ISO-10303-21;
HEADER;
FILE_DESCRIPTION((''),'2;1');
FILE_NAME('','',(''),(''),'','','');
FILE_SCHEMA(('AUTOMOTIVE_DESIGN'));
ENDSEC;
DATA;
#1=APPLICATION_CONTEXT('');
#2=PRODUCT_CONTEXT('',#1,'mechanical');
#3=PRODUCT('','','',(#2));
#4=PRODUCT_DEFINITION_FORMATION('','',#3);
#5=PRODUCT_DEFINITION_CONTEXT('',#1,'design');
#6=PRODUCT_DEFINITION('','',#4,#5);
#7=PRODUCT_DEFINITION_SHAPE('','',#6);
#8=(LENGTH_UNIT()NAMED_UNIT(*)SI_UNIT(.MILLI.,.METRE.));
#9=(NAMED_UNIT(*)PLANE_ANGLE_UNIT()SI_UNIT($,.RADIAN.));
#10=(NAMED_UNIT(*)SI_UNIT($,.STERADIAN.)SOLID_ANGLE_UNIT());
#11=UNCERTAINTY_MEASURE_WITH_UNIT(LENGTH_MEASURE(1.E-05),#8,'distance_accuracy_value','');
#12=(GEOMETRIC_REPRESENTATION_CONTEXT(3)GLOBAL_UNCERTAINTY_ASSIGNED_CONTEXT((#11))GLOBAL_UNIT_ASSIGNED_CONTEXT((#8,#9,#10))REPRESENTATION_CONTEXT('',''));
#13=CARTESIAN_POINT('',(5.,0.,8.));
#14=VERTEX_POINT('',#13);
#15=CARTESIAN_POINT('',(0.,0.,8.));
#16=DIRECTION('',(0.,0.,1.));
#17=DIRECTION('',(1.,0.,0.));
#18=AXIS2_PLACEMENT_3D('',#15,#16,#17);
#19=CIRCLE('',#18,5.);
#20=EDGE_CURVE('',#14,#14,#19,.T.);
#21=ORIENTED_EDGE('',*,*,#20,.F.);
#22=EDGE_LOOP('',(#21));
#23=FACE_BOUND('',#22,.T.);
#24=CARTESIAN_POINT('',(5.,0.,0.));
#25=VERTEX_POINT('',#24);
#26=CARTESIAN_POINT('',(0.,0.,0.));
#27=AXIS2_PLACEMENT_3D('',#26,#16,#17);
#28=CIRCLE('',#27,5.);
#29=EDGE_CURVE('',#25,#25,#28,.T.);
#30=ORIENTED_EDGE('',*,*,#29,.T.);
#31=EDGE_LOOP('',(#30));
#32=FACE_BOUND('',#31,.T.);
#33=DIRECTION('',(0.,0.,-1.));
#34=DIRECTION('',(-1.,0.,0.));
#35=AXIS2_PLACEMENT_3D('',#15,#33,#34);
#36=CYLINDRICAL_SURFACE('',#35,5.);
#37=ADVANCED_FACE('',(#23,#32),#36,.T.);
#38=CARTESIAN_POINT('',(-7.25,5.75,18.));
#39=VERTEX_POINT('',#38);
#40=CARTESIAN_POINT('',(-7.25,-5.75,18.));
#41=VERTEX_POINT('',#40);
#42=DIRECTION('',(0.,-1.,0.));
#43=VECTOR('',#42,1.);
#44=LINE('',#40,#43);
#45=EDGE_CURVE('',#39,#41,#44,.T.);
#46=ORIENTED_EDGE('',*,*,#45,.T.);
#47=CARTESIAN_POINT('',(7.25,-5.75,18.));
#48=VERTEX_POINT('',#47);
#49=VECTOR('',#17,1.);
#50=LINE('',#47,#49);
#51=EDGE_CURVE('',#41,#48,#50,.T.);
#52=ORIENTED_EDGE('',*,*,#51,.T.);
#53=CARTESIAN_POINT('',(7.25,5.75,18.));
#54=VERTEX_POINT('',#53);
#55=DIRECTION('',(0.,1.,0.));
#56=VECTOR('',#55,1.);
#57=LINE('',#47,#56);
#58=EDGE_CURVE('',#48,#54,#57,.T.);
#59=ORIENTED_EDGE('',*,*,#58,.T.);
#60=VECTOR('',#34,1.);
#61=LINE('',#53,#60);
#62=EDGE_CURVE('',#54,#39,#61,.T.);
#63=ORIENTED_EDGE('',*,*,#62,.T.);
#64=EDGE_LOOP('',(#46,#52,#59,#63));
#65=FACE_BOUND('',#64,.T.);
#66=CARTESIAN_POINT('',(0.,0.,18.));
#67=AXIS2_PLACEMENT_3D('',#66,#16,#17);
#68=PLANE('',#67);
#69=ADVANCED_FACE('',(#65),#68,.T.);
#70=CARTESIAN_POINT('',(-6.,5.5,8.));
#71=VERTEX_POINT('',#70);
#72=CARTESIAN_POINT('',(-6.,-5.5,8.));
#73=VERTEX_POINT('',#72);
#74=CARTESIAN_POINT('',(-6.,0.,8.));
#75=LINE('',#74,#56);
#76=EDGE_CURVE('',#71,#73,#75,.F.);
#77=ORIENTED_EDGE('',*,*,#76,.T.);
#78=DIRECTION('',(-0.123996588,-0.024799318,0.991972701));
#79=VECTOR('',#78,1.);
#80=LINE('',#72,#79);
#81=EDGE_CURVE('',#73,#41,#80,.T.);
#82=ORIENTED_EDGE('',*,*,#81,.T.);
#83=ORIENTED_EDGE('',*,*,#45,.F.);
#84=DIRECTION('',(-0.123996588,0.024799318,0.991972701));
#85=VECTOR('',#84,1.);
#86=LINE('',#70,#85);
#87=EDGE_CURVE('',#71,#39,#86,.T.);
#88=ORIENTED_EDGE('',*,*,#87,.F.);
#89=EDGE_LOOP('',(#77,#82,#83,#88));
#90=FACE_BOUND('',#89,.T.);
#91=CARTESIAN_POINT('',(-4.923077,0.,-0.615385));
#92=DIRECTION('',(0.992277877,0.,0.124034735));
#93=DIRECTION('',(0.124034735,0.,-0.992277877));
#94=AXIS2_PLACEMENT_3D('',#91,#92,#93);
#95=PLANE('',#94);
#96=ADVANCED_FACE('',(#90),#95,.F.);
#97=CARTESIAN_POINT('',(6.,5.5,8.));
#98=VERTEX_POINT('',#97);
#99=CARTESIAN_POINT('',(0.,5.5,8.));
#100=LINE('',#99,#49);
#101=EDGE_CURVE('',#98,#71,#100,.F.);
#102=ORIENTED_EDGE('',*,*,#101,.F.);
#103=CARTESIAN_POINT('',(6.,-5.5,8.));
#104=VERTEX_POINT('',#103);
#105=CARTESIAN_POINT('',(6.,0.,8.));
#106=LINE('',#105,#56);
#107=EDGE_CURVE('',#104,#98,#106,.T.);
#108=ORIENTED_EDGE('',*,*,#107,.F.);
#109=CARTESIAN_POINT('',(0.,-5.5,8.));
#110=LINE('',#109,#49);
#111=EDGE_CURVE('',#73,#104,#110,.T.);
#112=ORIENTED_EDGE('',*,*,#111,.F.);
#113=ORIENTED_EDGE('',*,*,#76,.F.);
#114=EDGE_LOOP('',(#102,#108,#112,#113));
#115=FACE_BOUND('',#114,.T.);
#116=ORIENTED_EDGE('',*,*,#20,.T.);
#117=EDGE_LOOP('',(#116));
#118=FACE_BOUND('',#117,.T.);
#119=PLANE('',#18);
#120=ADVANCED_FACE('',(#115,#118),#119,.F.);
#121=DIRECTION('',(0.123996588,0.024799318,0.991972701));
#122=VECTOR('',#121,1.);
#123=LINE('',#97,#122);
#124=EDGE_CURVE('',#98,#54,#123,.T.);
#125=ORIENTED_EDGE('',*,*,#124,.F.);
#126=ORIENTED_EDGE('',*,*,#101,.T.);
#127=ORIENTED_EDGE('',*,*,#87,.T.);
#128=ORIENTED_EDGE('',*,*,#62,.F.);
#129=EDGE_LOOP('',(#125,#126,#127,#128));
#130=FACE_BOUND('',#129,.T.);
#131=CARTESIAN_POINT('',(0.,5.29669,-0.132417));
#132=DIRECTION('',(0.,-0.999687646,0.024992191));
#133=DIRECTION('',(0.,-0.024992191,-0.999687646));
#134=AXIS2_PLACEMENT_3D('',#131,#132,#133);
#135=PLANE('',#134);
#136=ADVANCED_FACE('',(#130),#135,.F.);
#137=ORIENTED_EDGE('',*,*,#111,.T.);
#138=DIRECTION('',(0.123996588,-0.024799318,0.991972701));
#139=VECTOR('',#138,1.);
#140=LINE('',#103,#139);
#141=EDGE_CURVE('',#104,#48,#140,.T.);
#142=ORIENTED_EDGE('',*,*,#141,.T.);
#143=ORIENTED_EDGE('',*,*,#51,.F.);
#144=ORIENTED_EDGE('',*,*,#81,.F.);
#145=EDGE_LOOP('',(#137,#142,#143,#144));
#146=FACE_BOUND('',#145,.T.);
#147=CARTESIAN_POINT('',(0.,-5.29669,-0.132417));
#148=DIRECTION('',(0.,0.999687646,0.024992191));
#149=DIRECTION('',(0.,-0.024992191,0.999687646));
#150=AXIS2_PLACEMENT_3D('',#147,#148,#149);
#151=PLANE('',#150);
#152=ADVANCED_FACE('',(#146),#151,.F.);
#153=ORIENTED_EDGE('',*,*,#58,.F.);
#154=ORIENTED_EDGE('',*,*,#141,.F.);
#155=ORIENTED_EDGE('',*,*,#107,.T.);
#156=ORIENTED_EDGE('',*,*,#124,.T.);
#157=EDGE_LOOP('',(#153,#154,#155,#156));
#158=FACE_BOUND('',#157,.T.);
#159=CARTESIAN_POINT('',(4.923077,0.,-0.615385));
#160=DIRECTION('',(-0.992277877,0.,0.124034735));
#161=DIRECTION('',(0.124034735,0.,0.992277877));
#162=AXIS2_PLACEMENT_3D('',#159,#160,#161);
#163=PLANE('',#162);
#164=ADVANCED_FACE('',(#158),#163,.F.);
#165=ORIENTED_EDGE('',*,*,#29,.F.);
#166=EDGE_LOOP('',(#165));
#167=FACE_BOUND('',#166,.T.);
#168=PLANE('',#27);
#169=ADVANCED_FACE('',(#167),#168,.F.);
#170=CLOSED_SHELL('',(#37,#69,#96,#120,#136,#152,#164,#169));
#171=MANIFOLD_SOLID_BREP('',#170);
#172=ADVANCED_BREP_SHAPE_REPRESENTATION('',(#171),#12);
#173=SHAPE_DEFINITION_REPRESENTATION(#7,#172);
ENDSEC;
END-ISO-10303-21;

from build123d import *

# Parameters (mm, degrees)
SKETCH1_R           = 5
BOSS_EXTRUDE1_DEPTH = 8
SKETCH2_W           = 12
SKETCH2_H           = 11
BOSS_EXTRUDE2_DEPTH = 10


with BuildPart() as part:
    # Sketch1 → Boss-Extrude1 (new body)
    with BuildSketch(Plane.XY):
        Circle(SKETCH1_R)
    extrude(amount=BOSS_EXTRUDE1_DEPTH)

    # Sketch2 → Boss-Extrude2 (add)
    with BuildSketch(Plane.XY.offset(8)):
        Rectangle(SKETCH2_W, SKETCH2_H)
    extrude(amount=BOSS_EXTRUDE2_DEPTH)

    # Sketch3 → Loft1 section 0
    with BuildSketch(Plane(origin=(0, 0, 8), x_dir=(-1, 0, 0), z_dir=(0, 0, -1))):
        with BuildLine():
            Line((6, -5.5), (6, 5.5))
            Line((6, 5.5), (-6, 5.5))
            Line((-6, 5.5), (-6, -5.5))
            Line((-6, -5.5), (6, -5.5))
        make_face()
    # Sketch4 → Loft1 section 1
    with BuildSketch(Plane.XY.offset(18)):
        with BuildLine():
            Line((7.25, -5.75), (-7.25, -5.75))
            Line((-7.25, -5.75), (-7.25, 5.75))
            Line((-7.25, 5.75), (7.25, 5.75))
            Line((7.25, 5.75), (7.25, -5.75))
        make_face()
    loft()


solid = part.part
